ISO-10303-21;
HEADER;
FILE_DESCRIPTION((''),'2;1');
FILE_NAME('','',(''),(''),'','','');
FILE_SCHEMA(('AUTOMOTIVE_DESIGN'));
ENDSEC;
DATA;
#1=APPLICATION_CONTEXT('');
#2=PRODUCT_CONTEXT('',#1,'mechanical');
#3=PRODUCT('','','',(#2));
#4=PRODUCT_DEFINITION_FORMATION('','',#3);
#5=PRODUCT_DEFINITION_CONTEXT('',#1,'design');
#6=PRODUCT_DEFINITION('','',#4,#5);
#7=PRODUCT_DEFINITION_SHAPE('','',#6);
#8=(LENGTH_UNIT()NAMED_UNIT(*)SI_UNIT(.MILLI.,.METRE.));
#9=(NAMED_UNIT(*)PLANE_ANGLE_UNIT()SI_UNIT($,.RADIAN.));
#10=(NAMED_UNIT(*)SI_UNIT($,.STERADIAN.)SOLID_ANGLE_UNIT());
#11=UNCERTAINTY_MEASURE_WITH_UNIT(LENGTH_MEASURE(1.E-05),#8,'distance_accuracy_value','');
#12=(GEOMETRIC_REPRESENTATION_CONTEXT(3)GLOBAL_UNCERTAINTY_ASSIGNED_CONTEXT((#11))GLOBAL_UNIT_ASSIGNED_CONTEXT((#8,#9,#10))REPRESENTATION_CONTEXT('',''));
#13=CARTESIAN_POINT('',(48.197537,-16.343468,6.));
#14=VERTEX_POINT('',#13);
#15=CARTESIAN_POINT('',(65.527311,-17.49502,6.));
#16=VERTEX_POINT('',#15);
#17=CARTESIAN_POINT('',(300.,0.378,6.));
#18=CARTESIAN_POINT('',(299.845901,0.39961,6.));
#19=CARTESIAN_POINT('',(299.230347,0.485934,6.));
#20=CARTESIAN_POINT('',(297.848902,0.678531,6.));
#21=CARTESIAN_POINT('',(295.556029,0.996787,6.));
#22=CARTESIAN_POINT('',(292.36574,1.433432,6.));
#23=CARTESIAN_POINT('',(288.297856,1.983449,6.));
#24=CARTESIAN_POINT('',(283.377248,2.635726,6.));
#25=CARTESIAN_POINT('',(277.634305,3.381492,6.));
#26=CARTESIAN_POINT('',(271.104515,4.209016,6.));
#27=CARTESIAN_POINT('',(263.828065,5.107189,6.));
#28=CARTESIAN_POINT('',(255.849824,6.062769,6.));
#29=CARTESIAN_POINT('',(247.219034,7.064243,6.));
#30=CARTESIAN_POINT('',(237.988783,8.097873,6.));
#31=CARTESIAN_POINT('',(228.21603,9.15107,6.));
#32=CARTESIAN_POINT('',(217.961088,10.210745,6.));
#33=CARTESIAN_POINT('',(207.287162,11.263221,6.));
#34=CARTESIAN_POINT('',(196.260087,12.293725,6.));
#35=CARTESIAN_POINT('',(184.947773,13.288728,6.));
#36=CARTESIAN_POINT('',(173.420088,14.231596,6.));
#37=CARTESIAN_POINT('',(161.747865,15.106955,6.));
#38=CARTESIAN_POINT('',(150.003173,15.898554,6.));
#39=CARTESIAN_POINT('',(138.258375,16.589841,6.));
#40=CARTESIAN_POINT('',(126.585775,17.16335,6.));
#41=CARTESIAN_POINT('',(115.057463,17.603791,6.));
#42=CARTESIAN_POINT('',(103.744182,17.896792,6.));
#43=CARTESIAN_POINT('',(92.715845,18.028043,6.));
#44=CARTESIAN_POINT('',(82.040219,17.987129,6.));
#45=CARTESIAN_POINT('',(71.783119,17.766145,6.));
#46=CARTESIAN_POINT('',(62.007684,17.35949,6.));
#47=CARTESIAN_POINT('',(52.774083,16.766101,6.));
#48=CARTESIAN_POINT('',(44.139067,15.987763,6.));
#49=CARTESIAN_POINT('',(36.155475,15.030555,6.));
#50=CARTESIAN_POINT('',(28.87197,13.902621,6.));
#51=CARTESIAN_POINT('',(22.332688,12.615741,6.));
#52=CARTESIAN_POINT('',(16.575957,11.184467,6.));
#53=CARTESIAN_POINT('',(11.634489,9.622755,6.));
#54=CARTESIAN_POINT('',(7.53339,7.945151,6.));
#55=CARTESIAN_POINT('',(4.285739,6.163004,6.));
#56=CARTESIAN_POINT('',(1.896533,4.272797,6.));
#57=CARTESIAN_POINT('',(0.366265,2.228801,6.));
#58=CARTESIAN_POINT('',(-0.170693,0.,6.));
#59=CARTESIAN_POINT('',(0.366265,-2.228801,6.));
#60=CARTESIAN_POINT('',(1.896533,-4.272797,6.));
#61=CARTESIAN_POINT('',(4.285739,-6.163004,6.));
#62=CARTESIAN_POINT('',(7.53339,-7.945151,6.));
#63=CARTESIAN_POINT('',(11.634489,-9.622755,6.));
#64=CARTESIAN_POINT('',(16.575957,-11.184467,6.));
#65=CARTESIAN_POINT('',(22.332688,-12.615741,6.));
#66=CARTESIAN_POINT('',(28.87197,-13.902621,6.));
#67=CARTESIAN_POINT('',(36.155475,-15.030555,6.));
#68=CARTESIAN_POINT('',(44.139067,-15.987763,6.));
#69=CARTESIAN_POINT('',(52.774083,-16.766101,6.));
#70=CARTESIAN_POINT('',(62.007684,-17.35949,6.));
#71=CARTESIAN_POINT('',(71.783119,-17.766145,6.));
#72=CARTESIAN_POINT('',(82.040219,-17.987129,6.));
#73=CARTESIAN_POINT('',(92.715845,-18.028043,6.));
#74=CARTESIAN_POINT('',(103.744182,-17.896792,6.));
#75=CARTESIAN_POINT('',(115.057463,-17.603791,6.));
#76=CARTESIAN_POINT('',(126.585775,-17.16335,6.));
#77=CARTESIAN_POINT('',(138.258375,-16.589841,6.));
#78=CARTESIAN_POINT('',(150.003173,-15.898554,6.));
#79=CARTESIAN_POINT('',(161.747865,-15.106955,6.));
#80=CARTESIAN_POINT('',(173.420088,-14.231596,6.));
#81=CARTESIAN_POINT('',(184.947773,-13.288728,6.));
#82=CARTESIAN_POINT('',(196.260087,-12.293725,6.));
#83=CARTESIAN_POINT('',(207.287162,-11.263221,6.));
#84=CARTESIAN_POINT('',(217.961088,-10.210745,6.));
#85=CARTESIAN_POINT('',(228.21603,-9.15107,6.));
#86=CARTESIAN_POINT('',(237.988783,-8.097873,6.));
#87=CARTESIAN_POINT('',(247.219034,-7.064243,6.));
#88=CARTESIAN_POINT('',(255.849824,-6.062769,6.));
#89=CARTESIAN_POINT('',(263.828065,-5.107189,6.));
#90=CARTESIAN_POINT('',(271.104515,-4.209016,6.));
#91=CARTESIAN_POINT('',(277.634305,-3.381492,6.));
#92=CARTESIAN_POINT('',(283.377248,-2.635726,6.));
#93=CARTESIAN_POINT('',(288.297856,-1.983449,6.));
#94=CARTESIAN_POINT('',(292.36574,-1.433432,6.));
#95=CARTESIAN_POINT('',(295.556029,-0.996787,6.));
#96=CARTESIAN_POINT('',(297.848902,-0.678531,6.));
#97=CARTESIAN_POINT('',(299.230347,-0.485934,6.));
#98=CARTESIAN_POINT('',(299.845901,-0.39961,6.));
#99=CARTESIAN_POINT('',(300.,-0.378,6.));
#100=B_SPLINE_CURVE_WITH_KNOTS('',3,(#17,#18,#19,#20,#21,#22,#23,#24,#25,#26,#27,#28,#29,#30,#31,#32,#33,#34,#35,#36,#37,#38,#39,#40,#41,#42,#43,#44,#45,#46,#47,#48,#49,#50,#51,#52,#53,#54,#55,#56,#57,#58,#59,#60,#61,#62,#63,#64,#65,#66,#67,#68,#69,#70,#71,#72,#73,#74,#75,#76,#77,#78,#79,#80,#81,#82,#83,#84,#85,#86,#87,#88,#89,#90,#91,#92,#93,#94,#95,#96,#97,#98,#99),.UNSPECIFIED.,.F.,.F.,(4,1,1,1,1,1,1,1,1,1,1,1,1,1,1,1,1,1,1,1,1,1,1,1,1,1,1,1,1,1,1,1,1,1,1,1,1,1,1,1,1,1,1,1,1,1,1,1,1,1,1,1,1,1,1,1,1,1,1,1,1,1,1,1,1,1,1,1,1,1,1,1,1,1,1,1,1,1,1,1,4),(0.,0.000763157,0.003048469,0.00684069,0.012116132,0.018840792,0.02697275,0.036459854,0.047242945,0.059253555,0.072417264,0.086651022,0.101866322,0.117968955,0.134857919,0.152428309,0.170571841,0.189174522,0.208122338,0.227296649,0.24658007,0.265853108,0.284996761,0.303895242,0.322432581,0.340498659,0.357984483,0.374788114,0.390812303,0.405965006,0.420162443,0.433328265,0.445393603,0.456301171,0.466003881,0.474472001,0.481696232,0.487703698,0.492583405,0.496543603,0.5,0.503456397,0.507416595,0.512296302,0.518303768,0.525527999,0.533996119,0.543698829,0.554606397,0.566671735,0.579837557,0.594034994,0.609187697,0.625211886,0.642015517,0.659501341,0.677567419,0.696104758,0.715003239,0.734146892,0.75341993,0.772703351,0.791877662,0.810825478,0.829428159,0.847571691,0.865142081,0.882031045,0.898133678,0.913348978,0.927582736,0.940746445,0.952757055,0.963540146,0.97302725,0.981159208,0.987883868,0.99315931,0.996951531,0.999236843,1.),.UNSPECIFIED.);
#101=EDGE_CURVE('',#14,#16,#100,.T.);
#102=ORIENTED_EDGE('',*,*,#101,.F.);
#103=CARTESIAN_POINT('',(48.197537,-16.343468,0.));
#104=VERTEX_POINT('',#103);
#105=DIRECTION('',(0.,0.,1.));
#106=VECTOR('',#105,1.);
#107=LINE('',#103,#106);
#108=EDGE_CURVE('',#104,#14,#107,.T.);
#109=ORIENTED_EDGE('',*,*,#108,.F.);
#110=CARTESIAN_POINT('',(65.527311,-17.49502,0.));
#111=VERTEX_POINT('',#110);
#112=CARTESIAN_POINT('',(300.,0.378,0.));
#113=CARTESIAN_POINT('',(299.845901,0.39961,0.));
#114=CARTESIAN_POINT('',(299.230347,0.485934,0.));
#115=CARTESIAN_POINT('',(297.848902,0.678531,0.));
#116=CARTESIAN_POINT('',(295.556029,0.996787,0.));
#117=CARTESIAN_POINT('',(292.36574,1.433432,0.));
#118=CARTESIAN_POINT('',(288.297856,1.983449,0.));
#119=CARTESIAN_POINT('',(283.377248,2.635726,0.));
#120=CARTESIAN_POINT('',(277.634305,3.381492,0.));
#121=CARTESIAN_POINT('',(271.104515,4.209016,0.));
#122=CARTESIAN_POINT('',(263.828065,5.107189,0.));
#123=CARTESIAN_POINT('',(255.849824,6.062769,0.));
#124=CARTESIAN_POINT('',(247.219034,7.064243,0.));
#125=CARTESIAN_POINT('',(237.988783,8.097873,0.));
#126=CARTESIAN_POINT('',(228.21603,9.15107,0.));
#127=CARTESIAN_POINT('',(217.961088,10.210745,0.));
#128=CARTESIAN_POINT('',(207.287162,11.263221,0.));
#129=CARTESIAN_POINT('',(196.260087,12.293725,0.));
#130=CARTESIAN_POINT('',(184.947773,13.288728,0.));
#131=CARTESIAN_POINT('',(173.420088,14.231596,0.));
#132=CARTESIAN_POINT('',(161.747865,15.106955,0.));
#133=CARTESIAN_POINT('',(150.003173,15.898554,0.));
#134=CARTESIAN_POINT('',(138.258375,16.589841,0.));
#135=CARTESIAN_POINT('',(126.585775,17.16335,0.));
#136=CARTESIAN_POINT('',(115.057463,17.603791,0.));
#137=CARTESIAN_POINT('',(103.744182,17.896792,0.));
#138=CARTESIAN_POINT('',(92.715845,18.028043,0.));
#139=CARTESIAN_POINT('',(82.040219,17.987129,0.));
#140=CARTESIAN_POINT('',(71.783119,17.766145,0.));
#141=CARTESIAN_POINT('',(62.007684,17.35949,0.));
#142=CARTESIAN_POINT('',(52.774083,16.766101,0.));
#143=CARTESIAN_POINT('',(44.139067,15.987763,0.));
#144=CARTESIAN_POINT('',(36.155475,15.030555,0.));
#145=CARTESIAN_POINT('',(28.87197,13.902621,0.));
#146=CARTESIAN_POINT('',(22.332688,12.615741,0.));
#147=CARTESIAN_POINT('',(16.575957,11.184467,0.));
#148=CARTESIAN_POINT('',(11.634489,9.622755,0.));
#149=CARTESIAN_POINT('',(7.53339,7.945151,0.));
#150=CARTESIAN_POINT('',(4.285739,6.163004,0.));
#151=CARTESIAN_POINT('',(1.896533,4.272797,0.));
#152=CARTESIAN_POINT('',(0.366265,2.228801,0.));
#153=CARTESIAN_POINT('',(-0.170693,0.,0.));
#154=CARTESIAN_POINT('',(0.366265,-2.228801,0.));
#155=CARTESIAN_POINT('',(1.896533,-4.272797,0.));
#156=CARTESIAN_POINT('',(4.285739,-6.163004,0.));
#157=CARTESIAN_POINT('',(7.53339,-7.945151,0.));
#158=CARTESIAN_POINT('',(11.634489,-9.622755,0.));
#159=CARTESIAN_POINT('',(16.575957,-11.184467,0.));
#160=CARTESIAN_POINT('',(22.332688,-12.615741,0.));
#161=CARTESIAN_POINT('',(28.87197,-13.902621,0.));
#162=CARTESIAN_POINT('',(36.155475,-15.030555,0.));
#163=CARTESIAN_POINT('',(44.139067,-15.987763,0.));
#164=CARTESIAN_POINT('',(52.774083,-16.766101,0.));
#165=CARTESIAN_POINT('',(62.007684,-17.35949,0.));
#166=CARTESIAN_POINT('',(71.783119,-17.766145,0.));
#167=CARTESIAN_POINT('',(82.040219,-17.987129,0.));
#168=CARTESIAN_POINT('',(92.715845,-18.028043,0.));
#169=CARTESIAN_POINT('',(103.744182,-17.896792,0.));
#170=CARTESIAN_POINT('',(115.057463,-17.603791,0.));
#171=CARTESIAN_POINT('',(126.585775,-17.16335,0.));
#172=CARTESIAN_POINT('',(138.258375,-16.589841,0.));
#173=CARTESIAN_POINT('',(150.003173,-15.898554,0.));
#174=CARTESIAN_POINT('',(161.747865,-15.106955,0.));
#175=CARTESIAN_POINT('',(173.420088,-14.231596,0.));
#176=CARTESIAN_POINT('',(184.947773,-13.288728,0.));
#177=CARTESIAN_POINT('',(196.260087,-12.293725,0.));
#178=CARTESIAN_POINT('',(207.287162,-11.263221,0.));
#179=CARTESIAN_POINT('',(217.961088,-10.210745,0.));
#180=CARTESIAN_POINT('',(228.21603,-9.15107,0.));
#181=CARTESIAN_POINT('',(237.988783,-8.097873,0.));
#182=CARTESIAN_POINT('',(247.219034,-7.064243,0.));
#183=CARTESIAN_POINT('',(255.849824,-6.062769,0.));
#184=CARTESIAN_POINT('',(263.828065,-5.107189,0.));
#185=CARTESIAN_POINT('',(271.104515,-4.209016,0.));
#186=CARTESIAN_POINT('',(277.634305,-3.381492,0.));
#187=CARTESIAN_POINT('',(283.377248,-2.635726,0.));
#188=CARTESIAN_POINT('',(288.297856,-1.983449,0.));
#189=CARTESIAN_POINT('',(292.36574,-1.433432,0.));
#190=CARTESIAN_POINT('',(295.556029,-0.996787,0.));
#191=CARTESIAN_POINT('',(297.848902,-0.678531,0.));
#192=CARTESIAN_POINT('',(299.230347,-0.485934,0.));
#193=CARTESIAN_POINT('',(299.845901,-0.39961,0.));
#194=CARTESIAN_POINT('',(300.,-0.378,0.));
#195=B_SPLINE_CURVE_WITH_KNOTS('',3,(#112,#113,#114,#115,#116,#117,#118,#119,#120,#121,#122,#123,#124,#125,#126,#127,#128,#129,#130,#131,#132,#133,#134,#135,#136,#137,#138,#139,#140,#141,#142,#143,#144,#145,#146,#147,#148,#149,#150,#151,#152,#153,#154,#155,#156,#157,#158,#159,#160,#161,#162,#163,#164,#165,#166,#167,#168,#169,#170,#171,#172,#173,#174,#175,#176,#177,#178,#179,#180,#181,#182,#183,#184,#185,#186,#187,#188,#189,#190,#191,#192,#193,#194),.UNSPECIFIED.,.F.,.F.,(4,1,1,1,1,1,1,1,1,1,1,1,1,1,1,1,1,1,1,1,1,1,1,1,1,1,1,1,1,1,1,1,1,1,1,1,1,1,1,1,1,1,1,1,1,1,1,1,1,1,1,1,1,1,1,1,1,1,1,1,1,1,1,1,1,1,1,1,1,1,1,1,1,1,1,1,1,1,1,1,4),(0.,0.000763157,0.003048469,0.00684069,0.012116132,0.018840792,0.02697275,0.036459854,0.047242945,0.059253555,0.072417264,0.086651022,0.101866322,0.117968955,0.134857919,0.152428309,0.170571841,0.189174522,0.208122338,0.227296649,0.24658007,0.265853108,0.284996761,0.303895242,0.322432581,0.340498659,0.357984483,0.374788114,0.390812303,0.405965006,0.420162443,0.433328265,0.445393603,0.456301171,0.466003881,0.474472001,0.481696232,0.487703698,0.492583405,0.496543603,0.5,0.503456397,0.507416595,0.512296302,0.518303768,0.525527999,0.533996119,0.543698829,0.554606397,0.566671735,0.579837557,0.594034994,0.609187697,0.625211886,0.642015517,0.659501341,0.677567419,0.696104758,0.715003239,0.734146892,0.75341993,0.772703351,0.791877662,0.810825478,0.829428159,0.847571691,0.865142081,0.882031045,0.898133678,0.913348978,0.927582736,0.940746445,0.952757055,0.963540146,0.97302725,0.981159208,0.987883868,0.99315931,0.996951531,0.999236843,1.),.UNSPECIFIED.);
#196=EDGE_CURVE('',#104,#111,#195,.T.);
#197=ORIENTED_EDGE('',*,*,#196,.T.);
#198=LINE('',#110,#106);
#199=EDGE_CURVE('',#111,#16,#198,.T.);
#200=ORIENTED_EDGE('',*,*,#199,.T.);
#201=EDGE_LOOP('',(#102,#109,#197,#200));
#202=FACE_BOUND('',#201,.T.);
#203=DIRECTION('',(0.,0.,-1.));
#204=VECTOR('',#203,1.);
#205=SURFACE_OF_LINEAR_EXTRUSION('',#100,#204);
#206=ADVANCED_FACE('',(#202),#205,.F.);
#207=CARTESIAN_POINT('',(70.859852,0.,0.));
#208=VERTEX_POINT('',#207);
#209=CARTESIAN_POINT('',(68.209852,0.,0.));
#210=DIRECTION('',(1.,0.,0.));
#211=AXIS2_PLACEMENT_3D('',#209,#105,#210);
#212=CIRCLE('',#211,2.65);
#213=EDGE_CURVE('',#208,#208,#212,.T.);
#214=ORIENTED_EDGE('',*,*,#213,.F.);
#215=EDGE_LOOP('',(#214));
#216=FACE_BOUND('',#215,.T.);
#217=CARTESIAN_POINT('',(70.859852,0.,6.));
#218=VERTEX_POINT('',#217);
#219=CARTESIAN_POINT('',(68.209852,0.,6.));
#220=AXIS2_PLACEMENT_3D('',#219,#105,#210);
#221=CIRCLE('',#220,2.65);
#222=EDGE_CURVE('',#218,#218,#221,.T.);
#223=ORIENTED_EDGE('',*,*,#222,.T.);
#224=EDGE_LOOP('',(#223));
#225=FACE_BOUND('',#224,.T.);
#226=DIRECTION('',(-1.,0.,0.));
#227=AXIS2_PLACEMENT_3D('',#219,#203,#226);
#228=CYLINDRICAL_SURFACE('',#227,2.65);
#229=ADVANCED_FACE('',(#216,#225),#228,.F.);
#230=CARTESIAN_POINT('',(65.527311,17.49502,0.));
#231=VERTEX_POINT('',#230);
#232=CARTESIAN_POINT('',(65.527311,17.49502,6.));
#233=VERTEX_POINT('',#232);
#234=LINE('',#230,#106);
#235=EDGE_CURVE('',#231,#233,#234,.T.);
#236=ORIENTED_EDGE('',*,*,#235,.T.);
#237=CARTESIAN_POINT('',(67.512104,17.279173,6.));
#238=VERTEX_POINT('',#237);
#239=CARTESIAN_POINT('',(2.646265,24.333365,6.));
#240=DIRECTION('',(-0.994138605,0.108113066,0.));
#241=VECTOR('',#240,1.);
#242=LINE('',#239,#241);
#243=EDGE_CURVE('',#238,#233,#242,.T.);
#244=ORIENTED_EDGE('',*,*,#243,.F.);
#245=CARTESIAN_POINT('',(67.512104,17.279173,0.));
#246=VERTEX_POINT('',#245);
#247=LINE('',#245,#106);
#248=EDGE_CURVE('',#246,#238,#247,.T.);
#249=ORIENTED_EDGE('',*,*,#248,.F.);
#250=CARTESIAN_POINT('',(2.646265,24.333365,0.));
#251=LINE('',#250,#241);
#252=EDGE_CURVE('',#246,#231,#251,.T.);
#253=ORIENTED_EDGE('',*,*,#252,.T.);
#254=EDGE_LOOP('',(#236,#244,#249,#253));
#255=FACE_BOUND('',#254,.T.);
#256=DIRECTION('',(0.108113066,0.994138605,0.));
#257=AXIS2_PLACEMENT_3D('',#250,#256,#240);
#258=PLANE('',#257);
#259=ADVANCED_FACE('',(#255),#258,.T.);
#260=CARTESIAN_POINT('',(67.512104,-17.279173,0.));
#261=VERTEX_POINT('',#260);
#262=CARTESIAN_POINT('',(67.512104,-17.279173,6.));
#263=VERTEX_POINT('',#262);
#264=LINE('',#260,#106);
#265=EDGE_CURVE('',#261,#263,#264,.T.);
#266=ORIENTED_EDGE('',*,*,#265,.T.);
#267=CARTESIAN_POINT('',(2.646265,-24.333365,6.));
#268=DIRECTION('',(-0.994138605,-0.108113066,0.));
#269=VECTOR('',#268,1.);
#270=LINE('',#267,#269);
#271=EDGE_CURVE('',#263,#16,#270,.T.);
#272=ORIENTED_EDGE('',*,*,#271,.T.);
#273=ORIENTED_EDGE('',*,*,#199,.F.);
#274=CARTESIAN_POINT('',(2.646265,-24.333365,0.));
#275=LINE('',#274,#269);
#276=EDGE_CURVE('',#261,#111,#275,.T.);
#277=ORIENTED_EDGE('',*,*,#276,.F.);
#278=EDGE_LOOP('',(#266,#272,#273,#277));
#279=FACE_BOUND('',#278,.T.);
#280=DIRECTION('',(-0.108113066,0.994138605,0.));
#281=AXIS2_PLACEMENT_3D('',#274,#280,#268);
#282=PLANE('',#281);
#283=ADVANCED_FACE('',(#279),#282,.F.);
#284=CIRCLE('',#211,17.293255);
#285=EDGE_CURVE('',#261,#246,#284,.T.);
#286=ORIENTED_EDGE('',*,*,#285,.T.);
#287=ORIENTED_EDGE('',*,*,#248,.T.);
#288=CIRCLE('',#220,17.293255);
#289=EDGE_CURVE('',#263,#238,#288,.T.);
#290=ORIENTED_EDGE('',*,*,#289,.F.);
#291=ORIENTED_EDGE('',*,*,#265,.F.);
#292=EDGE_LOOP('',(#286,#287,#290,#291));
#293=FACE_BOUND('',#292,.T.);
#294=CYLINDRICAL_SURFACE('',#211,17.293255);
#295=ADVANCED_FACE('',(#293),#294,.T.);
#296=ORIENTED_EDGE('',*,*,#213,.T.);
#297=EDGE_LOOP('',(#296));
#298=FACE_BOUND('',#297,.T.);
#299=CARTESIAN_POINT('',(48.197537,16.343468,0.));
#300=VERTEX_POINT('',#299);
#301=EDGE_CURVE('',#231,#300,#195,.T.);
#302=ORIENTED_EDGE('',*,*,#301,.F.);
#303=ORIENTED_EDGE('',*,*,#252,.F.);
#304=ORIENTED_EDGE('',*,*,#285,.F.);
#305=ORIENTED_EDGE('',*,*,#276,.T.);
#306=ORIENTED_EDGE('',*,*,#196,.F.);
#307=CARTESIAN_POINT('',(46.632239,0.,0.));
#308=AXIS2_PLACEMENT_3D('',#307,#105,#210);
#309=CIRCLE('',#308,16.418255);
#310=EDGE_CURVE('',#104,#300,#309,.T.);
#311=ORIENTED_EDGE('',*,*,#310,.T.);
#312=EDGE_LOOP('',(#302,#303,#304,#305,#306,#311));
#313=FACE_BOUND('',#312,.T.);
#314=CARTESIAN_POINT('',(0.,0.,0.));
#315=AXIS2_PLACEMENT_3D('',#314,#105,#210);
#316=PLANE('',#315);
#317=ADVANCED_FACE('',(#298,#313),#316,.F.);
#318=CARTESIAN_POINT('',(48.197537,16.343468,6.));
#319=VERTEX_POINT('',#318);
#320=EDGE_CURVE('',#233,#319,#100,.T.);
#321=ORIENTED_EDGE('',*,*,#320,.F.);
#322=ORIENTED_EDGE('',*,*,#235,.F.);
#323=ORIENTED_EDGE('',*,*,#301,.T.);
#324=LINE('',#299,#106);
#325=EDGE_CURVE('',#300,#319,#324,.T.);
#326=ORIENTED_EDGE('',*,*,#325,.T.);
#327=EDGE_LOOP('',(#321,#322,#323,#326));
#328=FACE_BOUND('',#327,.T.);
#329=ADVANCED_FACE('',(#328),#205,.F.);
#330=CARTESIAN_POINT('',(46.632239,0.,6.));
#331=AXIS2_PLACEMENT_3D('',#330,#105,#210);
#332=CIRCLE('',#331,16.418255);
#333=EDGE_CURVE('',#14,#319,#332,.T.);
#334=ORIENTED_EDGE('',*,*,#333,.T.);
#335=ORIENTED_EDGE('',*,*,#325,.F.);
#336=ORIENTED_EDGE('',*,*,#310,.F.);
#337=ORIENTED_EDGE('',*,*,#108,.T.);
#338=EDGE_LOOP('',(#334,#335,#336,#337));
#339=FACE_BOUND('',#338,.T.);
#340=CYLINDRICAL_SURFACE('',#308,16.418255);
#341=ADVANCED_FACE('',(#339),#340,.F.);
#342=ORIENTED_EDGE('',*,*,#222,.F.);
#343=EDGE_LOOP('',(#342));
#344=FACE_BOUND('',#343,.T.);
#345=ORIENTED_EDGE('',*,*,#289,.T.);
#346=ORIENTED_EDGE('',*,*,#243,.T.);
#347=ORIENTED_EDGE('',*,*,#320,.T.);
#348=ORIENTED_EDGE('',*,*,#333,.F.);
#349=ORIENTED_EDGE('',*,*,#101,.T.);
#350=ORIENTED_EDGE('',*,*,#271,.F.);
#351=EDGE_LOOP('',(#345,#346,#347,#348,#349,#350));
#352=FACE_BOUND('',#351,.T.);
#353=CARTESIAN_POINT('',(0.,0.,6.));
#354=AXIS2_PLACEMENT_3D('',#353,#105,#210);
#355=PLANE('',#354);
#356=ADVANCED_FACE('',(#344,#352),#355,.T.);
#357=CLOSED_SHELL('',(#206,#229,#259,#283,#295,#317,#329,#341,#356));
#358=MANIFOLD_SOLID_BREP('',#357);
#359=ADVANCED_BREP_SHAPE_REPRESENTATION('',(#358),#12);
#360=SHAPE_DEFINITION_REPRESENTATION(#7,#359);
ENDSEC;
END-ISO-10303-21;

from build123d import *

# Parameters (mm, degrees)
SKETCH2_R           = 2.65
BOSS_EXTRUDE4_DEPTH = 6
CUT_EXTRUDE2_DEPTH  = 88.793483499


with BuildPart() as part:
    # Sketch2 → Boss-Extrude4 (new body)
    with BuildSketch(Plane.XY):
        with BuildLine():
            add(Edge.make_bspline(
                [(67.5, 17.578928476), (65.61016752, 17.502615465), (60.634413429, 17.271238409), (53.13057404, 16.789010877), (47.524682176, 16.292383273), (45, 16.035396523)],
                knots=[0.381536428, 0.381536428, 0.381536428, 0.381536428, 0.390812303, 0.405965006, 0.418410632, 0.418410632, 0.418410632, 0.418410632], degree=3))
            ThreePointArc((45, 16.035396523), (62.750493933, 0), (45, -16.035396523))
            add(Edge.make_bspline(
                [(45, -16.035396523), (47.524682176, -16.292383273), (53.13057404, -16.789010877), (60.634413429, -17.271238409), (65.61016752, -17.502615465), (67.5, -17.578928476)],
                knots=[0.581589368, 0.581589368, 0.581589368, 0.581589368, 0.594034994, 0.609187697, 0.618463572, 0.618463572, 0.618463572, 0.618463572], degree=3))
            ThreePointArc((67.5, -17.578928476), (85.803106629, 0), (67.5, 17.578928476))
        make_face()
        with Locations((68.209851787, 0)):
            Circle(SKETCH2_R, mode=Mode.SUBTRACT)
    extrude(amount=BOSS_EXTRUDE4_DEPTH)

    # Sketch4 → Cut-Extrude2 (cut, through all)
    with BuildSketch(Plane.XY.offset(6)):
        with BuildLine():
            Line((65.5273107, 17.495020066), (67.512104385, 17.279172769))
            ThreePointArc((67.512104385, 17.279172769), (85.503106629, 0), (67.512104385, -17.279172769))
            Line((67.512104385, -17.279172769), (65.5273107, -17.495020066))
            add(Edge.make_bspline(
                [(65.5273107, -17.495020066), (66.184811673, -17.524419912), (66.842377464, -17.55237313), (67.5, -17.578928476)],
                knots=[0.615235759, 0.615235759, 0.615235759, 0.615235759, 0.618463572, 0.618463572, 0.618463572, 0.618463572], degree=3))
            ThreePointArc((67.5, -17.578928476), (85.803106629, 0), (67.5, 17.578928476))
            add(Edge.make_bspline(
                [(67.5, 17.578928476), (66.842377464, 17.55237313), (66.184811673, 17.524419912), (65.5273107, 17.495020066)],
                knots=[0.381536428, 0.381536428, 0.381536428, 0.381536428, 0.384764241, 0.384764241, 0.384764241, 0.384764241], degree=3))
        make_face()
        with BuildLine():
            ThreePointArc((48.197537186, -16.3434678), (63.050493933, 0), (48.197537186, 16.3434678))
            add(Edge.make_bspline(
                [(48.197537186, 16.3434678), (47.131160592, 16.246385916), (46.065284113, 16.143831519), (45, 16.035396523)],
                knots=[0.413159228, 0.413159228, 0.413159228, 0.413159228, 0.418410632, 0.418410632, 0.418410632, 0.418410632], degree=3))
            ThreePointArc((45, 16.035396523), (62.750493933, 0), (45, -16.035396523))
            add(Edge.make_bspline(
                [(45, -16.035396523), (46.065284113, -16.143831519), (47.131160592, -16.246385916), (48.197537186, -16.3434678)],
                knots=[0.581589368, 0.581589368, 0.581589368, 0.581589368, 0.586840772, 0.586840772, 0.586840772, 0.586840772], degree=3))
        make_face()
    extrude(amount=-CUT_EXTRUDE2_DEPTH, mode=Mode.SUBTRACT)


solid = part.part
